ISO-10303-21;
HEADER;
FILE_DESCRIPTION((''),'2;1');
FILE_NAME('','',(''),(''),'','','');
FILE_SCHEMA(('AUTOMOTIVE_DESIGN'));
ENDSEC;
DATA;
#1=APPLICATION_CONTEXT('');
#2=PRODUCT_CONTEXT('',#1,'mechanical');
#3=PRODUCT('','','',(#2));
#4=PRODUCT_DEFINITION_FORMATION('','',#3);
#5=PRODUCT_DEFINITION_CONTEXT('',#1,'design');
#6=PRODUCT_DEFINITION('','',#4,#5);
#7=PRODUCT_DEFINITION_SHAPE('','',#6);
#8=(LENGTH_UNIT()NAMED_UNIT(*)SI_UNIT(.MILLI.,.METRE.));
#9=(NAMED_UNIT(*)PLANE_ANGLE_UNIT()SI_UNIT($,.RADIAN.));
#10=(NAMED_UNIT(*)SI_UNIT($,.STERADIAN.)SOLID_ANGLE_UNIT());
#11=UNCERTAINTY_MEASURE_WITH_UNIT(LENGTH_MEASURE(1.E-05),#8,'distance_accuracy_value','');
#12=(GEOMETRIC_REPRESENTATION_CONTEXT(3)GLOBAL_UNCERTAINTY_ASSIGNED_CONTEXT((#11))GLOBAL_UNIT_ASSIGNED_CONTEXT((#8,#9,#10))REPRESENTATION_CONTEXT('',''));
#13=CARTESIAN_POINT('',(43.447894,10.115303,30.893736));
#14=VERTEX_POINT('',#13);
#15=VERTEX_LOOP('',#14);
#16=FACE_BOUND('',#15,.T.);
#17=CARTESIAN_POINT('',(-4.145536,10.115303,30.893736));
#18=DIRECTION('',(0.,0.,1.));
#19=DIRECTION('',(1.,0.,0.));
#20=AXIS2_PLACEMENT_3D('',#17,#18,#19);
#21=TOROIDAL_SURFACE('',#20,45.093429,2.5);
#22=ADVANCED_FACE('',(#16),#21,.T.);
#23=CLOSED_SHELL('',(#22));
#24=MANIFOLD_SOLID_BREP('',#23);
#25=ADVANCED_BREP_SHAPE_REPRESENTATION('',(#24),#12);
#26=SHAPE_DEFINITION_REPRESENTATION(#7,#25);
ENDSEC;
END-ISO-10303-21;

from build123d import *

# Parameters (mm, degrees)
SKETCH_1_R = 2.5


with BuildPart() as part:
    # 草图1 → 旋转1 (revolve)
    with BuildSketch(Plane(origin=(1.604815493, 9.101360931, 0), x_dir=(0.984807753, -0.173648178, 0), z_dir=(-0.173648178, -0.984807753, 0))):
        with Locations((39.254369802, 30.893736042)):
            Circle(SKETCH_1_R)
    revolve(axis=Axis((-4.145535771, 10.115302746, 27.184801913), (0, 0, -1)))


solid = part.part
